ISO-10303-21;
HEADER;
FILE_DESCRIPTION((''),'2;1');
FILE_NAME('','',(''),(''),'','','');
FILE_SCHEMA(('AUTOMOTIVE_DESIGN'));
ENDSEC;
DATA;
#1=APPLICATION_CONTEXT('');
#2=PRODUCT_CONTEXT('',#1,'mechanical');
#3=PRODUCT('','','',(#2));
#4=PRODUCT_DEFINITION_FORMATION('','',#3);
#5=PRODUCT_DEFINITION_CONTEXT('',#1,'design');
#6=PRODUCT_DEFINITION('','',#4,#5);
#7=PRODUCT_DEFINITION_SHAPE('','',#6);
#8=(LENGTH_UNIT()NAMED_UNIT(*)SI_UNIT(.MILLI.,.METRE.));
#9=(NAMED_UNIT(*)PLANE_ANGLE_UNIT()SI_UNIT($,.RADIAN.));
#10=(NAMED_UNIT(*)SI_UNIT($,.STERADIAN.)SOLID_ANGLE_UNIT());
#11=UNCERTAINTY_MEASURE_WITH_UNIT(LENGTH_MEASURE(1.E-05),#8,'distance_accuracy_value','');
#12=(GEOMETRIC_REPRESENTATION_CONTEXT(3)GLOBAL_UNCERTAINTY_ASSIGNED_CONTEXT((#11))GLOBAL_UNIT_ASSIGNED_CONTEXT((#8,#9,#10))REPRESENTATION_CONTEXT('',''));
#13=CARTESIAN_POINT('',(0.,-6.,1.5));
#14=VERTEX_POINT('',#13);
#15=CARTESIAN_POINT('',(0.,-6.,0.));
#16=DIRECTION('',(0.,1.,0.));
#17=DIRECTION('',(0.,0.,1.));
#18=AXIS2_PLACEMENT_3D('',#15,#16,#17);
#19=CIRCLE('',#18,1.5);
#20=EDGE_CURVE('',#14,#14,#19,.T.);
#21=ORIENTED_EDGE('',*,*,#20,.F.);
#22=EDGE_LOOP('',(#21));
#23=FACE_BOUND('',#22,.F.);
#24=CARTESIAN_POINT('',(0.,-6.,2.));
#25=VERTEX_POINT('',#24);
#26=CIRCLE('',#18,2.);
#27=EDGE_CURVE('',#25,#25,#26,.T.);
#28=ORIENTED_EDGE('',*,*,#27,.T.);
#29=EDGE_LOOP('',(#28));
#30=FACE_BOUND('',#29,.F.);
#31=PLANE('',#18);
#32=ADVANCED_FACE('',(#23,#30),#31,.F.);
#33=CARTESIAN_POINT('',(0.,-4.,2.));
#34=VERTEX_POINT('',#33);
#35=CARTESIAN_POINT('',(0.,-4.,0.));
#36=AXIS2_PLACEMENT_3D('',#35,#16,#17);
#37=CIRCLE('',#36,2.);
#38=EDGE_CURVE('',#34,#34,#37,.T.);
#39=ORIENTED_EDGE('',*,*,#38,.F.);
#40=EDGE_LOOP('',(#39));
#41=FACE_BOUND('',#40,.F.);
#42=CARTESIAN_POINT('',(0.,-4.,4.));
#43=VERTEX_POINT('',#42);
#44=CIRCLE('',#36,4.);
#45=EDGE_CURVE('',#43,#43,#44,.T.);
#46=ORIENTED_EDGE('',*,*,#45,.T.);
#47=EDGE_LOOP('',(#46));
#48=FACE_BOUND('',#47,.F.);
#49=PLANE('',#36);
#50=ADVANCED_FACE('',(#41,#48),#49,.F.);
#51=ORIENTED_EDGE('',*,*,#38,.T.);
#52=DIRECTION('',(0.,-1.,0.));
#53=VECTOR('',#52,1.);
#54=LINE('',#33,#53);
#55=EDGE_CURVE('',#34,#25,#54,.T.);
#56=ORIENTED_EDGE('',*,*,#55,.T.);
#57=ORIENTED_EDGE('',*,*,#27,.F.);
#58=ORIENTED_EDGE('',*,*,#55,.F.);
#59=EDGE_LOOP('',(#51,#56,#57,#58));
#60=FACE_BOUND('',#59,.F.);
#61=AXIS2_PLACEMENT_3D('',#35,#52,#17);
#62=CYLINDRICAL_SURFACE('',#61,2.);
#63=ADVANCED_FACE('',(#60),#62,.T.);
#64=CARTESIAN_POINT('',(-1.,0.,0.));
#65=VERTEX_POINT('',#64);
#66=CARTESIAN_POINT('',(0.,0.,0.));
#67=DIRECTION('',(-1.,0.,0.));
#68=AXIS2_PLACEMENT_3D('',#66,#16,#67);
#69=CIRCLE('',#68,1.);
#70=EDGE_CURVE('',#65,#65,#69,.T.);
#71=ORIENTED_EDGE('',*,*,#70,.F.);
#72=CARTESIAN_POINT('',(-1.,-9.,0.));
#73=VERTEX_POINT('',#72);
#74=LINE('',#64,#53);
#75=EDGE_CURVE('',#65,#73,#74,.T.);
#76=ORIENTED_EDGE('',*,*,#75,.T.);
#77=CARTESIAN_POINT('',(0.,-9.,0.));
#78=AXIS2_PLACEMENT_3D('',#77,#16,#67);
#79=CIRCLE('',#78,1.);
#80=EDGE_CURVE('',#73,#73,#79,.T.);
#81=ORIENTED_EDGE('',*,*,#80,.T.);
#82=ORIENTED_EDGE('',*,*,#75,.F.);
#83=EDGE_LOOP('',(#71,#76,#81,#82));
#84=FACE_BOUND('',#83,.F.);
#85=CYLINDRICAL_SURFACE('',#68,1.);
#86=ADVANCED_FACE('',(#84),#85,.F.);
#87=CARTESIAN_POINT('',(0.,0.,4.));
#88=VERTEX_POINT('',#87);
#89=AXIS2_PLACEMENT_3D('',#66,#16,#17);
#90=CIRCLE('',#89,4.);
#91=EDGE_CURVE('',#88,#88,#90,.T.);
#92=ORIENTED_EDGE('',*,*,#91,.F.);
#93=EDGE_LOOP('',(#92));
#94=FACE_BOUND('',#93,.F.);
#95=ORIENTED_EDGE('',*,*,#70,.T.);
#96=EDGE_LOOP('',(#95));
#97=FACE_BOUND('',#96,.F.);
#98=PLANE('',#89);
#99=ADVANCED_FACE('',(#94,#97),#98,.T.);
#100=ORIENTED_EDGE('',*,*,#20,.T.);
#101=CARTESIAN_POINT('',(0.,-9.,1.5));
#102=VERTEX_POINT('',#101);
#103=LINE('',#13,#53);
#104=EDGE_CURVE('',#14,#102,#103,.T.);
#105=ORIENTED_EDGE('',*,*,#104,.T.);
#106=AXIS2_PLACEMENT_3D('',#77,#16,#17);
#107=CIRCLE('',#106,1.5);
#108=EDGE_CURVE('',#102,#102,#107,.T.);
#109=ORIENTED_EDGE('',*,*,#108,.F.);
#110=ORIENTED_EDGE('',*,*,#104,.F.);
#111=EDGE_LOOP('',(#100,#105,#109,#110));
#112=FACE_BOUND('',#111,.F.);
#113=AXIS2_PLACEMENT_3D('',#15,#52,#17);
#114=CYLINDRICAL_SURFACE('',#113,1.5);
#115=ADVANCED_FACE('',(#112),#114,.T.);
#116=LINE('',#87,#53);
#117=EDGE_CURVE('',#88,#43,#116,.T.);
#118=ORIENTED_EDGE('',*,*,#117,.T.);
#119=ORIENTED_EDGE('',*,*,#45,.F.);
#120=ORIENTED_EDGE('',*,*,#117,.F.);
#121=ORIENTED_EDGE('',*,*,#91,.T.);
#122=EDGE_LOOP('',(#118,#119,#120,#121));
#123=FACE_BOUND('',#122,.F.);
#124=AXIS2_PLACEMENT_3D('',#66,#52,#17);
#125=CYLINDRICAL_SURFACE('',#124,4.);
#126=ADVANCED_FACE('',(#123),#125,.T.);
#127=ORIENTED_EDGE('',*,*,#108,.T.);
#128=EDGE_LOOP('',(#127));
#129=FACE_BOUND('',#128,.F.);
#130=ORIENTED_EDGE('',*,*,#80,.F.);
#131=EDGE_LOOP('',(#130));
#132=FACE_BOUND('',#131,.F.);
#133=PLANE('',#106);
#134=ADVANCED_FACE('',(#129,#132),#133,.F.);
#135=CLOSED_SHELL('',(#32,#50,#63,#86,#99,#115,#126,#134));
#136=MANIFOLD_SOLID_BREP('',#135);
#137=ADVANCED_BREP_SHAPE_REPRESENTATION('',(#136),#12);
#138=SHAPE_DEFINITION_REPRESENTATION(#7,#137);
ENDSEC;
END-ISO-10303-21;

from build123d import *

# Parameters (mm, degrees)
F2_R     = 1
F3_DEPTH = 9.001


with BuildPart() as f1:
    # F0 (on Right) → F1 (revolve)
    with BuildSketch(Plane.YZ):
        Polygon((-9, 0), (0, 0), (0, 4), (-4, 4), (-4, 2), (-6, 2), (-6, 1.5), (-9, 1.5), align=None)
    revolve(axis=Axis((0, -4.5, 0), (0, 1, 0)))

    # F2 (on face) → F3 (cut, through all)
    with BuildSketch(Plane(origin=(0, 0, 0), x_dir=(-1, 0, 0), z_dir=(0, 1, 0))):
        Circle(F2_R)
    extrude(amount=-F3_DEPTH, mode=Mode.SUBTRACT)


solid = f1.part
